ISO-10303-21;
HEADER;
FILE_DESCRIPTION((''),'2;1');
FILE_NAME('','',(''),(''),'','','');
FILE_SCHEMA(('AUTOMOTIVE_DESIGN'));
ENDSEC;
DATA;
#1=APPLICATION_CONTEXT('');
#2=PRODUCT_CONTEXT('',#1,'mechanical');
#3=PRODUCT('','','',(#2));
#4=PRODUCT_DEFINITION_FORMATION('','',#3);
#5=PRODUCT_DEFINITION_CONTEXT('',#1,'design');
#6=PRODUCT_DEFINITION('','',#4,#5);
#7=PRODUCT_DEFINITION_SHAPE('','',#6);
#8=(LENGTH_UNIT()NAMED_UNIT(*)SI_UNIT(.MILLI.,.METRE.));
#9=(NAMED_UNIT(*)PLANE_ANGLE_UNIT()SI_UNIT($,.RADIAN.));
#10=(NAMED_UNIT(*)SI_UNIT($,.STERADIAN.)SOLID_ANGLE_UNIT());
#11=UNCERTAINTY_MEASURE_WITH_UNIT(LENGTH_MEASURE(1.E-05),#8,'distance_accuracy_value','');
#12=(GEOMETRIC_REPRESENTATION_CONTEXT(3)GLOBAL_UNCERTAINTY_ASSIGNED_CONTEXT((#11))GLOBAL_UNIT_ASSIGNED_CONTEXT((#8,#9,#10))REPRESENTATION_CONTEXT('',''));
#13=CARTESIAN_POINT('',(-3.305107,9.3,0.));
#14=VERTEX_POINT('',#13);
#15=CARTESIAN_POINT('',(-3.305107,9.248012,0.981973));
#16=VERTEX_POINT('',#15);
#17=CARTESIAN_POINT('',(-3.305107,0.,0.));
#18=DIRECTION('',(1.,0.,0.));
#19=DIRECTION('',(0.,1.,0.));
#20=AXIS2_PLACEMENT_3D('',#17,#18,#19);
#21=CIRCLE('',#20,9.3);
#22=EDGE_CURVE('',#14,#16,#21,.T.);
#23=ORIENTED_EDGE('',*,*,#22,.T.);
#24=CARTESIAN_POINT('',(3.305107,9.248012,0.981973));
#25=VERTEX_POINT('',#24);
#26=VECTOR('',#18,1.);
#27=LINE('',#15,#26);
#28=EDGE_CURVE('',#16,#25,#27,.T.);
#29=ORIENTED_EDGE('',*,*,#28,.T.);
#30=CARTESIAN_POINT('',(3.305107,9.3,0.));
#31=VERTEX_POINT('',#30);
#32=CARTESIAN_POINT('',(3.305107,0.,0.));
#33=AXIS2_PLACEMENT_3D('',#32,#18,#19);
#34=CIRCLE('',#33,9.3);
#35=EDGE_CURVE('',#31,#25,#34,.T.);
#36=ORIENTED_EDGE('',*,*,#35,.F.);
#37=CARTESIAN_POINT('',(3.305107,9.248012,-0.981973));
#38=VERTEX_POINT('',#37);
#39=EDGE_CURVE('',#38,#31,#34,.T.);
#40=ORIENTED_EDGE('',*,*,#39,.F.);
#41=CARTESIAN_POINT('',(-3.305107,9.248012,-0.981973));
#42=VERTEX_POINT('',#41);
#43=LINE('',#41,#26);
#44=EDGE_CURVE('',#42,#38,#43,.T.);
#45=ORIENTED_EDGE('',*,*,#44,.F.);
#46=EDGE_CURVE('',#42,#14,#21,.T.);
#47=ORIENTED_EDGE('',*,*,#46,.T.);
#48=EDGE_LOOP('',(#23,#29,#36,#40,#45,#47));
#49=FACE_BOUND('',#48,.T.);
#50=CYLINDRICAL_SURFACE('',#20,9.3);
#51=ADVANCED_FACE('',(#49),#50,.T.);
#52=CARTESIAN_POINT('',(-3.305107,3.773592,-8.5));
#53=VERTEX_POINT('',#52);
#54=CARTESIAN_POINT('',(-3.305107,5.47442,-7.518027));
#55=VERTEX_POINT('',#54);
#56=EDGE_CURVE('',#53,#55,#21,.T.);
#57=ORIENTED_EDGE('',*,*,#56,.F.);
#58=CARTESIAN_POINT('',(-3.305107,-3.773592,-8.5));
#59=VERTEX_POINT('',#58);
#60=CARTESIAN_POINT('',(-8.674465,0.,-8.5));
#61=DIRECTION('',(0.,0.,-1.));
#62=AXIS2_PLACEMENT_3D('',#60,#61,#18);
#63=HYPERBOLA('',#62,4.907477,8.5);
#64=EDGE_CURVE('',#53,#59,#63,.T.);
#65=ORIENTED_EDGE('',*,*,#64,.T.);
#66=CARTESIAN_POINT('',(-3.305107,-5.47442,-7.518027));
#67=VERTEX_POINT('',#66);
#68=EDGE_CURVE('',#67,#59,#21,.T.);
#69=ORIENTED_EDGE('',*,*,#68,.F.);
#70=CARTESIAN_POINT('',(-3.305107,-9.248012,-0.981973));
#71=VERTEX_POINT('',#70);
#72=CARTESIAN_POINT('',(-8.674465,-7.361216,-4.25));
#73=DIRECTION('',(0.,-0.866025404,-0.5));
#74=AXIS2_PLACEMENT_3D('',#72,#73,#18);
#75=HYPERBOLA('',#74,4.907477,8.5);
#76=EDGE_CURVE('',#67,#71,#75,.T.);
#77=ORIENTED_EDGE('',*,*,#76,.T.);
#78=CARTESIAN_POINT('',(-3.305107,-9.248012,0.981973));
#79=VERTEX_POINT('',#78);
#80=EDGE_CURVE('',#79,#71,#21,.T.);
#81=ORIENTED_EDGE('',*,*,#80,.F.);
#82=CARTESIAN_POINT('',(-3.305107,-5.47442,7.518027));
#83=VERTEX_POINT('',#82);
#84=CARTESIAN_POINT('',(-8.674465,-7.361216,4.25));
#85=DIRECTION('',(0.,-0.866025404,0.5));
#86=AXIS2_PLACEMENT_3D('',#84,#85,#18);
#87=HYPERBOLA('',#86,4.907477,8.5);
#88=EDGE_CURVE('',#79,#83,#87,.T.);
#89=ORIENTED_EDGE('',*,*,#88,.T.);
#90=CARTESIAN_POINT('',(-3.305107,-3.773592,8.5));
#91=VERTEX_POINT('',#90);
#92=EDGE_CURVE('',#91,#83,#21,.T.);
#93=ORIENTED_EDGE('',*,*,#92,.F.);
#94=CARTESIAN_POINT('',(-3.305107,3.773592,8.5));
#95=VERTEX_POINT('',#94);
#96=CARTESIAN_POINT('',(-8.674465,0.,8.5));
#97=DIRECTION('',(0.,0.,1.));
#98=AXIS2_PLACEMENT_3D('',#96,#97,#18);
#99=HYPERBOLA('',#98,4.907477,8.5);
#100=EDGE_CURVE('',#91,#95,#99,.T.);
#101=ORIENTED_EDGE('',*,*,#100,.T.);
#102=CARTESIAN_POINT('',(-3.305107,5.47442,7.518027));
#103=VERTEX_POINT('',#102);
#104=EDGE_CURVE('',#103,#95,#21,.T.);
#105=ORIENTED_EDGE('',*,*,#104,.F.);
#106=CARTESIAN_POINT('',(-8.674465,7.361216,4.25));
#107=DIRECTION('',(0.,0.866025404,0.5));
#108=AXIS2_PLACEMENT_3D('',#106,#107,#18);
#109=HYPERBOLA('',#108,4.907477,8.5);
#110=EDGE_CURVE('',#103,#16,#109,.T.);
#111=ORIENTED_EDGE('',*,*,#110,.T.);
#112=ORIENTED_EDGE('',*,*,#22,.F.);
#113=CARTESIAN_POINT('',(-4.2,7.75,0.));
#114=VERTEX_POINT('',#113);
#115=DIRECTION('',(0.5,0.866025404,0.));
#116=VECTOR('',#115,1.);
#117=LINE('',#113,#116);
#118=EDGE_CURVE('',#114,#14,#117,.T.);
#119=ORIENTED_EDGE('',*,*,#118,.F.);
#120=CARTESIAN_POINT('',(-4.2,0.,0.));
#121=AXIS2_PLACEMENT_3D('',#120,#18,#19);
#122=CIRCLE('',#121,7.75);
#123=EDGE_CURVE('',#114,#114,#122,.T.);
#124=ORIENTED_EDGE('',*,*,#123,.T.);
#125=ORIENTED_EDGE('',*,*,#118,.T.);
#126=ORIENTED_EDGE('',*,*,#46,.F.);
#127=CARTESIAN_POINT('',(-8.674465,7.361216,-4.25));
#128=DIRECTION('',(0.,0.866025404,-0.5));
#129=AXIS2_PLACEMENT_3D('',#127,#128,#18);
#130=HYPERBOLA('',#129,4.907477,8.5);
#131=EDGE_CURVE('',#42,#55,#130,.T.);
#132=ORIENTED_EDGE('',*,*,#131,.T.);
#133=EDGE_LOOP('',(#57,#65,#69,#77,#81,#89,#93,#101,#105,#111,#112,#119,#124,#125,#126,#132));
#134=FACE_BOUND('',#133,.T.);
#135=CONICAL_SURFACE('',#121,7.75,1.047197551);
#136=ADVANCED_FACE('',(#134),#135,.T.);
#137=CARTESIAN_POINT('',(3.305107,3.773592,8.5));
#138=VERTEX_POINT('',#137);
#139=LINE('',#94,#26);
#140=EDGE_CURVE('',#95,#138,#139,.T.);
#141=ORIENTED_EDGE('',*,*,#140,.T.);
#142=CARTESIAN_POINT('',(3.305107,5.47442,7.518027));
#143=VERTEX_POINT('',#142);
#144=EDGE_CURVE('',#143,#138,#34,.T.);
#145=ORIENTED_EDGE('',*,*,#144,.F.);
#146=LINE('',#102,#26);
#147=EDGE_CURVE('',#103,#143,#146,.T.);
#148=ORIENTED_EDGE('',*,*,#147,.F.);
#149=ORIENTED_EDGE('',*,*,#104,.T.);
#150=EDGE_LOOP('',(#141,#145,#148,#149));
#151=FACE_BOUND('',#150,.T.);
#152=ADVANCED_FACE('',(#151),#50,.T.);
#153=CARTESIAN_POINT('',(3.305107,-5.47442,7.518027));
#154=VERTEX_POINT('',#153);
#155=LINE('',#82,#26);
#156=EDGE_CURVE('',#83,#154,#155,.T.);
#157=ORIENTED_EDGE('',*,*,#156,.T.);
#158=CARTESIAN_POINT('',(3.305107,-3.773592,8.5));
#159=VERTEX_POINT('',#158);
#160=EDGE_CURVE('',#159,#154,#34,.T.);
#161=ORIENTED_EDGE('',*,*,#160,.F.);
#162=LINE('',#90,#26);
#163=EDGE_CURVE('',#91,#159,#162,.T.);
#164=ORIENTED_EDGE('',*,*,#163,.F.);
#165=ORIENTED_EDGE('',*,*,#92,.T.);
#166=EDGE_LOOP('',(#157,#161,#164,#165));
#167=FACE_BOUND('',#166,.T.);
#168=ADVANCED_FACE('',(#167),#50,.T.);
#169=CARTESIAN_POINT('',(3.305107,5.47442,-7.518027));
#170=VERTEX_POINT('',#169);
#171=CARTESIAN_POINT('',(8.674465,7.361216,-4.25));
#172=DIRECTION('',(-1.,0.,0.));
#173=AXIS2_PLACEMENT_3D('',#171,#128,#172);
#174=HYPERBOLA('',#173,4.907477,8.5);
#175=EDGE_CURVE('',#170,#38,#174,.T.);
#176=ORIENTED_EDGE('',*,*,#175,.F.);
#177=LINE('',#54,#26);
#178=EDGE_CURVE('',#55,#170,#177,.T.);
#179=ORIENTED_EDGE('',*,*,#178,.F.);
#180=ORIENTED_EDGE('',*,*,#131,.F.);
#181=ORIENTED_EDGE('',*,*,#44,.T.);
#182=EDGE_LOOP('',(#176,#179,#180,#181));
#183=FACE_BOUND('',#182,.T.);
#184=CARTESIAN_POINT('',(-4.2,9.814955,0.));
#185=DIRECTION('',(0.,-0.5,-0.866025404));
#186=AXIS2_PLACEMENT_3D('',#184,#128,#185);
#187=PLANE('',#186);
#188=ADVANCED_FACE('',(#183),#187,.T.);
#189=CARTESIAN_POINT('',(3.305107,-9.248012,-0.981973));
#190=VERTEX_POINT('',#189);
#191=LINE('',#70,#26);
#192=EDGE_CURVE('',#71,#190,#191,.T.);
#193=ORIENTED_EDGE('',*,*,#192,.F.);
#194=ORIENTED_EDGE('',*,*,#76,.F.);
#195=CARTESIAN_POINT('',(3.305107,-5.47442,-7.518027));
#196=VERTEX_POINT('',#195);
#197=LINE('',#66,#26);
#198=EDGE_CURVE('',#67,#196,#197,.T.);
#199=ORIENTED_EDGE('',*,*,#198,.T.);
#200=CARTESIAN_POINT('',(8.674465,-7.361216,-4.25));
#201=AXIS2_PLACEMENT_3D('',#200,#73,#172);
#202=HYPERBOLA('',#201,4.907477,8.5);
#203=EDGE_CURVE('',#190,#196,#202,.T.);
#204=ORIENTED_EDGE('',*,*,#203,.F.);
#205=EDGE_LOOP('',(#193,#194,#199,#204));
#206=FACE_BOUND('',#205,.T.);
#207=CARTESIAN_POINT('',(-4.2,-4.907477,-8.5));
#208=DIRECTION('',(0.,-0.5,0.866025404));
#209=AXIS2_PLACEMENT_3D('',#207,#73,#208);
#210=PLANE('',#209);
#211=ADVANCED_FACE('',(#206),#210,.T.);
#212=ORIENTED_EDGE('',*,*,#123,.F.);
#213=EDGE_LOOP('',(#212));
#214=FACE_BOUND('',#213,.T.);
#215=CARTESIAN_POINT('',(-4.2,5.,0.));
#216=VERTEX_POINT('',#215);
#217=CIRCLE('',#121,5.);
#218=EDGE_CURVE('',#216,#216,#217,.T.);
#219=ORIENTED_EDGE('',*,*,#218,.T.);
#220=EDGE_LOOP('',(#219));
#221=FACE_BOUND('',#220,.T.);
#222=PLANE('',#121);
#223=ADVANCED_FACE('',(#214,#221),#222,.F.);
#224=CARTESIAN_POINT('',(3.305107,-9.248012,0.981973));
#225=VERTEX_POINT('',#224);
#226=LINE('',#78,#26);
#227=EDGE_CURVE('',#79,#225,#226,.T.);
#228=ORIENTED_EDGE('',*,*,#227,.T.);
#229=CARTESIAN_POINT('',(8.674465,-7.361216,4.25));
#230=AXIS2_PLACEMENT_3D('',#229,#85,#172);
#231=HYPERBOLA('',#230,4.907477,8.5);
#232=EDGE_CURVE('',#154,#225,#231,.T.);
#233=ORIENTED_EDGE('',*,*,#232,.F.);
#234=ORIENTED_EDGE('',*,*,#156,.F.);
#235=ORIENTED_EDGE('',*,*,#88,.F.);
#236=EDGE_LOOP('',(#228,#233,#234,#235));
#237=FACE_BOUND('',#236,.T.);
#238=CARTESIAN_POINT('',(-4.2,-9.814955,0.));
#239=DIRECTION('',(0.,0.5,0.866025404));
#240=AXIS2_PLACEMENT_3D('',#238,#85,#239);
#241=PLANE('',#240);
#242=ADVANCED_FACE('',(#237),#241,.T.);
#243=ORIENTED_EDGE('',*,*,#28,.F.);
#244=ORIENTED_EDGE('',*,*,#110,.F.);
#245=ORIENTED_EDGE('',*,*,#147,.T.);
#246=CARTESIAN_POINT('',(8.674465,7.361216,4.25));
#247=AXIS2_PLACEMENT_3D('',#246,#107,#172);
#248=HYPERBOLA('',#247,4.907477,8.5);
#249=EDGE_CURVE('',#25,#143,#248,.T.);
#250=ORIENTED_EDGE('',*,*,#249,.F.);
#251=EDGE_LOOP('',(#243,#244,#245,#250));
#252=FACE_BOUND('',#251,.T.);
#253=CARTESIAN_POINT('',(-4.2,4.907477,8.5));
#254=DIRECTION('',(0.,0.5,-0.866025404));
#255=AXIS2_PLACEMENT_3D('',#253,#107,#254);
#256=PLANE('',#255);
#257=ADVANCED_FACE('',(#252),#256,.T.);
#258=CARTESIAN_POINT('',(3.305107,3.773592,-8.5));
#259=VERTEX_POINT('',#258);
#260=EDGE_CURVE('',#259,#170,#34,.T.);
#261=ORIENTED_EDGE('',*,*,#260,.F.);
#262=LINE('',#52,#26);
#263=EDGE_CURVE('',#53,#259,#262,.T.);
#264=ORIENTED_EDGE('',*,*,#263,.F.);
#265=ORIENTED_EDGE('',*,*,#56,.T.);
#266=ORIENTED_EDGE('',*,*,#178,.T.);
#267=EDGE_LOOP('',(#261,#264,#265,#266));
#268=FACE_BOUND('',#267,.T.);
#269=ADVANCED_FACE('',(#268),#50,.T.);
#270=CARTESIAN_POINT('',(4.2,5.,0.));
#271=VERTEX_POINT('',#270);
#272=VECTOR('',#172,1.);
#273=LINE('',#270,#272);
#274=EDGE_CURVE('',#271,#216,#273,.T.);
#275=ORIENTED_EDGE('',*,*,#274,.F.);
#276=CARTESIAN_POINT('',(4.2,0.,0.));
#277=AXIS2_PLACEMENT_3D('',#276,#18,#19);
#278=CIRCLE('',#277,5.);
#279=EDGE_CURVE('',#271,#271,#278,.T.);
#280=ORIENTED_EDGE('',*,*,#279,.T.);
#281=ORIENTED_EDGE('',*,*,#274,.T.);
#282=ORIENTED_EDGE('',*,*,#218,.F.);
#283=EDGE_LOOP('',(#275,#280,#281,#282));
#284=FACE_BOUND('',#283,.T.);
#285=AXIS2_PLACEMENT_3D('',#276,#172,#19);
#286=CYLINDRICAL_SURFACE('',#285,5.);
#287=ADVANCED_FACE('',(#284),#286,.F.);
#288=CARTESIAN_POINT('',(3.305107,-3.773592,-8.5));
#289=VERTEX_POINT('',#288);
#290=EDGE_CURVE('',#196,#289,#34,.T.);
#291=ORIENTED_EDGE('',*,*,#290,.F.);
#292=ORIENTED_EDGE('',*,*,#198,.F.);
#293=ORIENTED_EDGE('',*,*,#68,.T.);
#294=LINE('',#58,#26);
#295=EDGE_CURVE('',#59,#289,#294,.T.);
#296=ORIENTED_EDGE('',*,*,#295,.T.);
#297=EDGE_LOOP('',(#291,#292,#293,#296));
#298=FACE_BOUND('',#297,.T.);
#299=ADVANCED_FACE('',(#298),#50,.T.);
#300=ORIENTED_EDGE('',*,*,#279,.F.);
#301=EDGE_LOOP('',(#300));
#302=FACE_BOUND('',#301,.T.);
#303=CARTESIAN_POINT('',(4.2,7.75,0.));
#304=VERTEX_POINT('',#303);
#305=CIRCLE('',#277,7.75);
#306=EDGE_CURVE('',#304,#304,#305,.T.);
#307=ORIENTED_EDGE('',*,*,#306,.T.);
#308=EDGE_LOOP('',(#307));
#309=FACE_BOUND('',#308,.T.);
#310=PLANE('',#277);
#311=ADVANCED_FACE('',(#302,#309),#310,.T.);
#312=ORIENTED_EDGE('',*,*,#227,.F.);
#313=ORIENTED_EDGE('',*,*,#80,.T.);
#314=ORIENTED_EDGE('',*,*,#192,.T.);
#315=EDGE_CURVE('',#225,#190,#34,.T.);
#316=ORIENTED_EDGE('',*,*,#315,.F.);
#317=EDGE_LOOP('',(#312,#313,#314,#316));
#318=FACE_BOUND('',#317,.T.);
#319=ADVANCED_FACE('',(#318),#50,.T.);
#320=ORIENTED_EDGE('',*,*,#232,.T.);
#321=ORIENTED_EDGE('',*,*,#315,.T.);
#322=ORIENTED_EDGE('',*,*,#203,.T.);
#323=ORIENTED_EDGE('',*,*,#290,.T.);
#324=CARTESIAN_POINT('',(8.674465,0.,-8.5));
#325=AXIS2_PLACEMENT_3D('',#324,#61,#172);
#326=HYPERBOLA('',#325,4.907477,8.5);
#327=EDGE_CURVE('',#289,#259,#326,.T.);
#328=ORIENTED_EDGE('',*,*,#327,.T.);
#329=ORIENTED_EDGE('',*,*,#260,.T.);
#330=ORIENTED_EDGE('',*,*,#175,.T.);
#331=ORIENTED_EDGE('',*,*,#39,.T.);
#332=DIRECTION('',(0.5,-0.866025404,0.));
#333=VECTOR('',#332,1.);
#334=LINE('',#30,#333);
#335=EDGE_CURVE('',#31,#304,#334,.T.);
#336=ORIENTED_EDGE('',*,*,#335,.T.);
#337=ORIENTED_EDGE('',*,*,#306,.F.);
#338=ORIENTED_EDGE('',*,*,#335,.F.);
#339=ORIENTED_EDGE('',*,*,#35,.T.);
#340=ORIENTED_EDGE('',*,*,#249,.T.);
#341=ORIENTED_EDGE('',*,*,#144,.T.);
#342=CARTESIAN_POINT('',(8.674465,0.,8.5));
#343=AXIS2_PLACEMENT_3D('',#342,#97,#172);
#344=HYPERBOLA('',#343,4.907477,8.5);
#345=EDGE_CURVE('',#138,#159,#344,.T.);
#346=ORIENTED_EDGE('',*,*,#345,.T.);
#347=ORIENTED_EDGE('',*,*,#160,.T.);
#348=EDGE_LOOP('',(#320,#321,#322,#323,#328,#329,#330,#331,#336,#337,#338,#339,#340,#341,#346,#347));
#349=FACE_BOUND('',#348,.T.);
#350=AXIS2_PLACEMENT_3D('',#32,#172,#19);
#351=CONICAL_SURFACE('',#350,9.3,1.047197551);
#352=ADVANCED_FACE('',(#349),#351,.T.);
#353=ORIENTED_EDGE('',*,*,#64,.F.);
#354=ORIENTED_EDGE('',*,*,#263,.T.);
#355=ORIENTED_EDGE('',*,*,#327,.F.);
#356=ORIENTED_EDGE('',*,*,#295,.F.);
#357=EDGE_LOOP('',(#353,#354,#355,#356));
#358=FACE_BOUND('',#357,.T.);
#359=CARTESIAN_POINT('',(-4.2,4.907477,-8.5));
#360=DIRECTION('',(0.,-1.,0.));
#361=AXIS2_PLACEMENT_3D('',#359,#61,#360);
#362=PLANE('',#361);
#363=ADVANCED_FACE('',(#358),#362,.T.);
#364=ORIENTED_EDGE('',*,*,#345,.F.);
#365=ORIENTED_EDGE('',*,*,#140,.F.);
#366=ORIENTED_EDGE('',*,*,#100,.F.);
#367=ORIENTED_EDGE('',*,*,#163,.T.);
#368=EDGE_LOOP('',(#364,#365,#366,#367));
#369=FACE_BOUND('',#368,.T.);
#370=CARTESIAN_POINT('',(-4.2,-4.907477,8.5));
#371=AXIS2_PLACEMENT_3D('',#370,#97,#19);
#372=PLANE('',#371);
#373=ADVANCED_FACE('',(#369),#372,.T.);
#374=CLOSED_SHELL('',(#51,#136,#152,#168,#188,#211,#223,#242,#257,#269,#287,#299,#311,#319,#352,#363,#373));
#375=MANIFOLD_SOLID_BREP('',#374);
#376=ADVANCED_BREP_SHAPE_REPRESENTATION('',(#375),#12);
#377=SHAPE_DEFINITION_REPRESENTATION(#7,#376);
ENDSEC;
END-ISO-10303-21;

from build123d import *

# Parameters (mm, degrees)
SKETCH_2_OUTSIDE_W  = 26.122
SKETCH_2_OUTSIDE_H  = 26.122
CUT_EXTRUDE_1_DEPTH = 9.4


with BuildPart() as part:
    # Эскиз1 → Повернуть1 (revolve)
    with BuildSketch(Plane.XY):
        Polygon((4.2, 5), (-4.2, 5), (-4.2, 7.75), (-3.305107083, 9.3), (3.305107083, 9.3), (4.2, 7.75), align=None)
    revolve(axis=Axis((-345.378129483, 0, 0), (1, 0, 0)))

    # Эскиз2 outside → Вырез-Вытянуть1 (cut, through all)
    with BuildSketch(Plane.ZY.offset(4.2)):
        Rectangle(SKETCH_2_OUTSIDE_W, SKETCH_2_OUTSIDE_H)
        Polygon((0, -9.814954576), (8.5, -4.907477288), (8.5, 4.907477288), (0, 9.814954576), (-8.5, 4.907477288), (-8.5, -4.907477288), align=None, mode=Mode.SUBTRACT)
    extrude(amount=-CUT_EXTRUDE_1_DEPTH, mode=Mode.SUBTRACT)


solid = part.part
